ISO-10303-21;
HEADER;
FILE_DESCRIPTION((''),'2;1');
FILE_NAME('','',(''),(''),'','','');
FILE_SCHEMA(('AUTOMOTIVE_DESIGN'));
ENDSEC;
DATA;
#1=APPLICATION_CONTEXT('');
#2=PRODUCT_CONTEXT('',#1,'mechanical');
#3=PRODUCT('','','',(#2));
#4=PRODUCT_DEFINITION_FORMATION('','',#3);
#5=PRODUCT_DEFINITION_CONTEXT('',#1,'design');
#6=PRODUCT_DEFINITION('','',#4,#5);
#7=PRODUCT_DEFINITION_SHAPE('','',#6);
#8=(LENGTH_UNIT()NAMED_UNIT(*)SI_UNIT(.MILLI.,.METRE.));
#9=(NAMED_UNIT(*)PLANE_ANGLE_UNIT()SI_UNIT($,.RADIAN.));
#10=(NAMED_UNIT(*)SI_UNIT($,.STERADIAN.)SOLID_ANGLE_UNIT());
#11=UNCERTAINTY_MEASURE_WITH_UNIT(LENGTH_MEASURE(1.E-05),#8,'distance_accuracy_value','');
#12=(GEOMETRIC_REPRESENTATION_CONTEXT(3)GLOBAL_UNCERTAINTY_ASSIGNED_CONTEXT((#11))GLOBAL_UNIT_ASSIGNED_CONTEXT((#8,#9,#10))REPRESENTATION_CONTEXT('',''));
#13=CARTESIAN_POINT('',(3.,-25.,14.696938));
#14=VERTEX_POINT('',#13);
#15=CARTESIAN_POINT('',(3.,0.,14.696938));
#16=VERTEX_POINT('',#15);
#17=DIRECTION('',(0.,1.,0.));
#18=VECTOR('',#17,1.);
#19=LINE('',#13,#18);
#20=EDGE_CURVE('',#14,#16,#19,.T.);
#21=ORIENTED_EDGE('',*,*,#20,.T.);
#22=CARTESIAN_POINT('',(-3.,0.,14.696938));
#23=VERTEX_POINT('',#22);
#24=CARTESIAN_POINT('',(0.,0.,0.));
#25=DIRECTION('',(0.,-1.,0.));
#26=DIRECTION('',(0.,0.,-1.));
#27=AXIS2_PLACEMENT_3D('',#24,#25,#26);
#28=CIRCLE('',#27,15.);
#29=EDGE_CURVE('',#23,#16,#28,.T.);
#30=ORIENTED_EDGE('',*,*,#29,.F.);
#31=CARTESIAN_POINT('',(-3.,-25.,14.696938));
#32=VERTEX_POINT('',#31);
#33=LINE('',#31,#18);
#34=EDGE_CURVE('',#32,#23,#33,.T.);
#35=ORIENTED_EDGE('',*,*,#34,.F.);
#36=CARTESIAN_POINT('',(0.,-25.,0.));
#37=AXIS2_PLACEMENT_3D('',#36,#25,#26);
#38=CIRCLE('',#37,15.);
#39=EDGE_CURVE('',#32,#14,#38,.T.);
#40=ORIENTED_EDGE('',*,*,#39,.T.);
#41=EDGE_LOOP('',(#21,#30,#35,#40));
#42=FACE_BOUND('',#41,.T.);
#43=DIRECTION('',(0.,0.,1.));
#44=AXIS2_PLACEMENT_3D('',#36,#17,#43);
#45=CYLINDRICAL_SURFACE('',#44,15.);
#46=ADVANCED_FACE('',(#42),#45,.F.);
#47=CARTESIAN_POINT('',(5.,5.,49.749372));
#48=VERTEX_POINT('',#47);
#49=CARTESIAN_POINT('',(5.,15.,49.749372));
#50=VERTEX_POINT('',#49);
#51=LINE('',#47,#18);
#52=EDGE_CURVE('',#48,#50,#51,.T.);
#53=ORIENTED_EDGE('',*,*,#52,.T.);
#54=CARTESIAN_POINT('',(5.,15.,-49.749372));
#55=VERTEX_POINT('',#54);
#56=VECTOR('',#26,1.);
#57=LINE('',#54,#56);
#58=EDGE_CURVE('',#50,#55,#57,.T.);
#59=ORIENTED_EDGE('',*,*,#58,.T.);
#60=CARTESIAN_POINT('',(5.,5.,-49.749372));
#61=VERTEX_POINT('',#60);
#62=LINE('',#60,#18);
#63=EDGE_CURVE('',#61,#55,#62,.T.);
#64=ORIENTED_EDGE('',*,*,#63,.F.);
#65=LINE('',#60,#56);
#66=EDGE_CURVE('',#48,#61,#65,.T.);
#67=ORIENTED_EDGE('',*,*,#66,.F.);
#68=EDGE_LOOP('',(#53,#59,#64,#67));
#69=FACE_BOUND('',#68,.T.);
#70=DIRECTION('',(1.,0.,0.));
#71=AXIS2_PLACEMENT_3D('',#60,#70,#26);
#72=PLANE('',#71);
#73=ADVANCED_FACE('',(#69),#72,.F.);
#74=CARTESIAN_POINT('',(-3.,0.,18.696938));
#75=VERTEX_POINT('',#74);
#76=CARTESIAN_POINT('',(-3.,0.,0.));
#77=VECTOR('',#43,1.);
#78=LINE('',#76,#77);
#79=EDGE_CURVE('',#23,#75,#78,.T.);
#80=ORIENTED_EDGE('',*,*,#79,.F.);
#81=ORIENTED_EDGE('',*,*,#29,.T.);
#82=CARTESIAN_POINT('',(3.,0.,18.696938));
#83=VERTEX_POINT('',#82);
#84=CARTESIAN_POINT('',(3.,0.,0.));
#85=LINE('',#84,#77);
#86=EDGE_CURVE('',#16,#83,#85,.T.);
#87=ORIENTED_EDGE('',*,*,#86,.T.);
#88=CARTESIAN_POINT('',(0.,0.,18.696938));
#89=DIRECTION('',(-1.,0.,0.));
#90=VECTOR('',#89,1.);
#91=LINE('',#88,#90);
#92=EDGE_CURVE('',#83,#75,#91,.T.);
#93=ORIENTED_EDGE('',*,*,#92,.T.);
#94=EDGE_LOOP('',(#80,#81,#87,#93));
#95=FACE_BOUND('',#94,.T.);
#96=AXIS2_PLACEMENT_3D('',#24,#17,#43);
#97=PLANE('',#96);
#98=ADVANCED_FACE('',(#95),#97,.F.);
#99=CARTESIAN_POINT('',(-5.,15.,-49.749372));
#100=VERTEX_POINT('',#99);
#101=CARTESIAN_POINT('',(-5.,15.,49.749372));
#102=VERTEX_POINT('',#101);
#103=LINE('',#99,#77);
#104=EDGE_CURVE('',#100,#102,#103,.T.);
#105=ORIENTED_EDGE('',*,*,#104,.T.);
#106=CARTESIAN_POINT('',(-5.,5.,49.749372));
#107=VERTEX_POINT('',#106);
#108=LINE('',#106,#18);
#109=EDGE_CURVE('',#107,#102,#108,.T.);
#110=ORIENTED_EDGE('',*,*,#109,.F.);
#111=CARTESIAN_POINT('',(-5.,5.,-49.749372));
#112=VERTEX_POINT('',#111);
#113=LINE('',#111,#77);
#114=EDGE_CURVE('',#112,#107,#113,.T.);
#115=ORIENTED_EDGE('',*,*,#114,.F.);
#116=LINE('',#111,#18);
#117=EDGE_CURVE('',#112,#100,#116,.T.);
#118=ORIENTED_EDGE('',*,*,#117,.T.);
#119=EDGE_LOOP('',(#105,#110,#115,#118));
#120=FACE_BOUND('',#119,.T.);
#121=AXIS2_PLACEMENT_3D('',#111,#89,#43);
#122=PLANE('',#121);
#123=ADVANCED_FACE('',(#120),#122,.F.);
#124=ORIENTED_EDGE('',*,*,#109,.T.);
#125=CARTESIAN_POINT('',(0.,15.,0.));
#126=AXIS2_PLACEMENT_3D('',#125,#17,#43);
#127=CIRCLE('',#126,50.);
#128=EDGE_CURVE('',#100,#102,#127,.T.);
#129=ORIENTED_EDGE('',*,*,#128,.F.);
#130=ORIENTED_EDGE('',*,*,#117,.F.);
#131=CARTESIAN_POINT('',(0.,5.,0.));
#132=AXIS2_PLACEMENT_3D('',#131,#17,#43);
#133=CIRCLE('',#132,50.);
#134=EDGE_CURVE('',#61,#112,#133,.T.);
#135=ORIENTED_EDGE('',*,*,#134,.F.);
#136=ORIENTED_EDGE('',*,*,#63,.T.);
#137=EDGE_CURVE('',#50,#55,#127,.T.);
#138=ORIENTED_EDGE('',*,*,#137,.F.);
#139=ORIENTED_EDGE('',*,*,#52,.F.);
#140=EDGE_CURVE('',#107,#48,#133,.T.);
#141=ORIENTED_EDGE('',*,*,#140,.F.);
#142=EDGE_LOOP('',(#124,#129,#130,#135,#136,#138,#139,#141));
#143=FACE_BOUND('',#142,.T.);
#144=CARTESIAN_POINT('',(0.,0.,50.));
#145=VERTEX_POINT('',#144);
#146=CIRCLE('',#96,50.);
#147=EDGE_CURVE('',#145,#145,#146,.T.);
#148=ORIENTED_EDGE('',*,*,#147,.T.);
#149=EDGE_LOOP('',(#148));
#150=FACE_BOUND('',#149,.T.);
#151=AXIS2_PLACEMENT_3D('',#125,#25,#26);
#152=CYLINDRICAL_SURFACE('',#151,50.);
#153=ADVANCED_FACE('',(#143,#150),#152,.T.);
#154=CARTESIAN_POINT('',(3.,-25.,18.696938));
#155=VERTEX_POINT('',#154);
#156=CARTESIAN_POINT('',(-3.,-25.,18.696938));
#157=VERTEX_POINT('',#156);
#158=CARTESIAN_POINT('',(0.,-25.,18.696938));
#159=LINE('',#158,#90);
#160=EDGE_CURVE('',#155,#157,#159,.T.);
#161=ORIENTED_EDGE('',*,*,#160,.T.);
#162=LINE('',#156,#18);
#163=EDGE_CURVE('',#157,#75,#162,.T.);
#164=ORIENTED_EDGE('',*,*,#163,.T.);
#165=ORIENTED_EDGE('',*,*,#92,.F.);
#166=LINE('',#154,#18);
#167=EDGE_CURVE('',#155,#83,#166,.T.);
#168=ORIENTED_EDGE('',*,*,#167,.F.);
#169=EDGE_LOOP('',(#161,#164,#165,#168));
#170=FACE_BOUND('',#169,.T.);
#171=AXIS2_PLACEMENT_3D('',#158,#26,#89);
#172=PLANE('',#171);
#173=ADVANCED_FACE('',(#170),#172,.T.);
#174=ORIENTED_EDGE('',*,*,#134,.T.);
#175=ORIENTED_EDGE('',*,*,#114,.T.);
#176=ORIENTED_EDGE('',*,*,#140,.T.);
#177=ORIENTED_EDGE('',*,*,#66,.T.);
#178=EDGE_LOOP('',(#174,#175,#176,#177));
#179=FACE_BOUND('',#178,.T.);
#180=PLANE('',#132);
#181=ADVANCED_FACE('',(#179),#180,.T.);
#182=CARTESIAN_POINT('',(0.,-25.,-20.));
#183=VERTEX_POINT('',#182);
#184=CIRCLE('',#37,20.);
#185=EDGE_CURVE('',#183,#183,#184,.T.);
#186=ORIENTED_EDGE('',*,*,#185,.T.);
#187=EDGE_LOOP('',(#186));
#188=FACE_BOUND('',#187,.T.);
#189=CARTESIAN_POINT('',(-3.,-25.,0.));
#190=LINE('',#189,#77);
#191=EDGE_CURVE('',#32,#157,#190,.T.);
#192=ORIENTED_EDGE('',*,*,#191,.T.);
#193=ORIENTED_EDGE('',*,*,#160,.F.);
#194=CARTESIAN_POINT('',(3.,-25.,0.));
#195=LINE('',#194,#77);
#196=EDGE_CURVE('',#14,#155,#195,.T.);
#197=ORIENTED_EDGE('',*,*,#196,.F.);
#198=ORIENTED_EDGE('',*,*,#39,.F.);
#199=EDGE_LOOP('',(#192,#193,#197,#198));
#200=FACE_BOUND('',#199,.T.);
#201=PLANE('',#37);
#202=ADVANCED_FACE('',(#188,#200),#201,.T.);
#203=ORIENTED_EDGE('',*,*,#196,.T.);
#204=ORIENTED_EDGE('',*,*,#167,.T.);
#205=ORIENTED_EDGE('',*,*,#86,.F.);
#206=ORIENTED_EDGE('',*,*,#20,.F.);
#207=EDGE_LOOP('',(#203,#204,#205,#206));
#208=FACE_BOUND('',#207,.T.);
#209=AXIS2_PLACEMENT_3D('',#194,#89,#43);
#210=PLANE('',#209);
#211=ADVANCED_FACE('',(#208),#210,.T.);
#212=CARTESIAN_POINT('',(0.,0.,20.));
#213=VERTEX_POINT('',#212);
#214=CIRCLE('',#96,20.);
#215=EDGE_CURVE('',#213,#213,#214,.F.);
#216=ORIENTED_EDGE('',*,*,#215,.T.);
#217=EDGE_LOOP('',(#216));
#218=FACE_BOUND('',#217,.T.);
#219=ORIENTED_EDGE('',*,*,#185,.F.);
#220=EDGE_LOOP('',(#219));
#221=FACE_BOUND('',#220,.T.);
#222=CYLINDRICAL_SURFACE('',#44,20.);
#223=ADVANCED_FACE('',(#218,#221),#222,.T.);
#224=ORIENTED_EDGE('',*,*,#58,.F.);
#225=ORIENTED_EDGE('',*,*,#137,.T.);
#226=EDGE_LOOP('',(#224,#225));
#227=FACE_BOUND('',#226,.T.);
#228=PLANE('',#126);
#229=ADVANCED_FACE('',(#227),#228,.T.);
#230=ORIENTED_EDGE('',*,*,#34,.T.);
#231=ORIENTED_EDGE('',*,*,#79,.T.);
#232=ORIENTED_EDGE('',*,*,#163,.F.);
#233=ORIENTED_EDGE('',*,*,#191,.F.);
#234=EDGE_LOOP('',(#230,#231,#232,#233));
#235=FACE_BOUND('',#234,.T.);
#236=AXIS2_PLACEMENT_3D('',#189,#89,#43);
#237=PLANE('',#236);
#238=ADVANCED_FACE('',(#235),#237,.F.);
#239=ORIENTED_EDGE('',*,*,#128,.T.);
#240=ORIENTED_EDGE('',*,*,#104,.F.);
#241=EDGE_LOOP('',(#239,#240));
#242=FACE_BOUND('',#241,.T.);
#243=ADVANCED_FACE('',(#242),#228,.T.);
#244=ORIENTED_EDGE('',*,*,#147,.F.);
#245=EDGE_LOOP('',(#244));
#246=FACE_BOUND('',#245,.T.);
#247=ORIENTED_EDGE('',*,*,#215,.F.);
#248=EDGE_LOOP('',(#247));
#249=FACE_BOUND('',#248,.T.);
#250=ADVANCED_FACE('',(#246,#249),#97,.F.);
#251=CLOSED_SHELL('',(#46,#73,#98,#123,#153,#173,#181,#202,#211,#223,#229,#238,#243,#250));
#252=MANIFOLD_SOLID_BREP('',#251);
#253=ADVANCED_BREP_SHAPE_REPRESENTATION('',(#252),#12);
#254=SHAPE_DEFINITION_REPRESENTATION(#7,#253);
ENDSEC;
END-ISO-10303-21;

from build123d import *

# Parameters (mm, degrees)
SKETCH1_R           = 50
BOSS_EXTRUDE1_DEPTH = 15
CUT_EXTRUDE1_START  = -10
CUT_EXTRUDE1_DEPTH  = 10
SKETCH3_R           = 20
BOSS_EXTRUDE2_DEPTH = 25


with BuildPart() as part:
    # Sketch1 → Boss-Extrude1 (new body)
    with BuildSketch(Plane(origin=(0, 0, 0), x_dir=(1, 0, 0), z_dir=(0, 1, 0))):
        with Locations(Location((0, 0, 0), (0, 0, 270))):
            Circle(SKETCH1_R)
    extrude(amount=BOSS_EXTRUDE1_DEPTH)

    # Sketch2 → Cut-Extrude1 (cut)
    with BuildSketch(Plane(origin=(0, 15, 0), x_dir=(1, 0, 0), z_dir=(0, 1, 0)).offset(CUT_EXTRUDE1_START)):
        with BuildLine():
            Line((-5, 49.749371855), (-5, -49.749371855))
            ThreePointArc((-5, -49.749371855), (0, -50), (5, -49.749371855))
            Line((5, -49.749371855), (5, 49.749371855))
            ThreePointArc((5, 49.749371855), (0, 50), (-5, 49.749371855))
        make_face()
    extrude(amount=CUT_EXTRUDE1_DEPTH, mode=Mode.SUBTRACT)

    # Sketch3 → Boss-Extrude2 (add)
    with BuildSketch(Plane.XZ):
        with Locations(Location((0, 0, 0), (0, 0, 90))):
            Circle(SKETCH3_R)
        with BuildLine():
            Line((3, 18.696938457), (3, 14.696938457))
            ThreePointArc((3, 14.696938457), (11.618950039, 9.486832981), (15, 0))
            ThreePointArc((15, 0), (-9.486832981, -11.618950039), (-3, 14.696938457))
            Line((-3, 14.696938457), (-3, 18.696938457))
            Line((-3, 18.696938457), (3, 18.696938457))
        make_face(mode=Mode.SUBTRACT)
    extrude(amount=BOSS_EXTRUDE2_DEPTH)


solid = part.part
